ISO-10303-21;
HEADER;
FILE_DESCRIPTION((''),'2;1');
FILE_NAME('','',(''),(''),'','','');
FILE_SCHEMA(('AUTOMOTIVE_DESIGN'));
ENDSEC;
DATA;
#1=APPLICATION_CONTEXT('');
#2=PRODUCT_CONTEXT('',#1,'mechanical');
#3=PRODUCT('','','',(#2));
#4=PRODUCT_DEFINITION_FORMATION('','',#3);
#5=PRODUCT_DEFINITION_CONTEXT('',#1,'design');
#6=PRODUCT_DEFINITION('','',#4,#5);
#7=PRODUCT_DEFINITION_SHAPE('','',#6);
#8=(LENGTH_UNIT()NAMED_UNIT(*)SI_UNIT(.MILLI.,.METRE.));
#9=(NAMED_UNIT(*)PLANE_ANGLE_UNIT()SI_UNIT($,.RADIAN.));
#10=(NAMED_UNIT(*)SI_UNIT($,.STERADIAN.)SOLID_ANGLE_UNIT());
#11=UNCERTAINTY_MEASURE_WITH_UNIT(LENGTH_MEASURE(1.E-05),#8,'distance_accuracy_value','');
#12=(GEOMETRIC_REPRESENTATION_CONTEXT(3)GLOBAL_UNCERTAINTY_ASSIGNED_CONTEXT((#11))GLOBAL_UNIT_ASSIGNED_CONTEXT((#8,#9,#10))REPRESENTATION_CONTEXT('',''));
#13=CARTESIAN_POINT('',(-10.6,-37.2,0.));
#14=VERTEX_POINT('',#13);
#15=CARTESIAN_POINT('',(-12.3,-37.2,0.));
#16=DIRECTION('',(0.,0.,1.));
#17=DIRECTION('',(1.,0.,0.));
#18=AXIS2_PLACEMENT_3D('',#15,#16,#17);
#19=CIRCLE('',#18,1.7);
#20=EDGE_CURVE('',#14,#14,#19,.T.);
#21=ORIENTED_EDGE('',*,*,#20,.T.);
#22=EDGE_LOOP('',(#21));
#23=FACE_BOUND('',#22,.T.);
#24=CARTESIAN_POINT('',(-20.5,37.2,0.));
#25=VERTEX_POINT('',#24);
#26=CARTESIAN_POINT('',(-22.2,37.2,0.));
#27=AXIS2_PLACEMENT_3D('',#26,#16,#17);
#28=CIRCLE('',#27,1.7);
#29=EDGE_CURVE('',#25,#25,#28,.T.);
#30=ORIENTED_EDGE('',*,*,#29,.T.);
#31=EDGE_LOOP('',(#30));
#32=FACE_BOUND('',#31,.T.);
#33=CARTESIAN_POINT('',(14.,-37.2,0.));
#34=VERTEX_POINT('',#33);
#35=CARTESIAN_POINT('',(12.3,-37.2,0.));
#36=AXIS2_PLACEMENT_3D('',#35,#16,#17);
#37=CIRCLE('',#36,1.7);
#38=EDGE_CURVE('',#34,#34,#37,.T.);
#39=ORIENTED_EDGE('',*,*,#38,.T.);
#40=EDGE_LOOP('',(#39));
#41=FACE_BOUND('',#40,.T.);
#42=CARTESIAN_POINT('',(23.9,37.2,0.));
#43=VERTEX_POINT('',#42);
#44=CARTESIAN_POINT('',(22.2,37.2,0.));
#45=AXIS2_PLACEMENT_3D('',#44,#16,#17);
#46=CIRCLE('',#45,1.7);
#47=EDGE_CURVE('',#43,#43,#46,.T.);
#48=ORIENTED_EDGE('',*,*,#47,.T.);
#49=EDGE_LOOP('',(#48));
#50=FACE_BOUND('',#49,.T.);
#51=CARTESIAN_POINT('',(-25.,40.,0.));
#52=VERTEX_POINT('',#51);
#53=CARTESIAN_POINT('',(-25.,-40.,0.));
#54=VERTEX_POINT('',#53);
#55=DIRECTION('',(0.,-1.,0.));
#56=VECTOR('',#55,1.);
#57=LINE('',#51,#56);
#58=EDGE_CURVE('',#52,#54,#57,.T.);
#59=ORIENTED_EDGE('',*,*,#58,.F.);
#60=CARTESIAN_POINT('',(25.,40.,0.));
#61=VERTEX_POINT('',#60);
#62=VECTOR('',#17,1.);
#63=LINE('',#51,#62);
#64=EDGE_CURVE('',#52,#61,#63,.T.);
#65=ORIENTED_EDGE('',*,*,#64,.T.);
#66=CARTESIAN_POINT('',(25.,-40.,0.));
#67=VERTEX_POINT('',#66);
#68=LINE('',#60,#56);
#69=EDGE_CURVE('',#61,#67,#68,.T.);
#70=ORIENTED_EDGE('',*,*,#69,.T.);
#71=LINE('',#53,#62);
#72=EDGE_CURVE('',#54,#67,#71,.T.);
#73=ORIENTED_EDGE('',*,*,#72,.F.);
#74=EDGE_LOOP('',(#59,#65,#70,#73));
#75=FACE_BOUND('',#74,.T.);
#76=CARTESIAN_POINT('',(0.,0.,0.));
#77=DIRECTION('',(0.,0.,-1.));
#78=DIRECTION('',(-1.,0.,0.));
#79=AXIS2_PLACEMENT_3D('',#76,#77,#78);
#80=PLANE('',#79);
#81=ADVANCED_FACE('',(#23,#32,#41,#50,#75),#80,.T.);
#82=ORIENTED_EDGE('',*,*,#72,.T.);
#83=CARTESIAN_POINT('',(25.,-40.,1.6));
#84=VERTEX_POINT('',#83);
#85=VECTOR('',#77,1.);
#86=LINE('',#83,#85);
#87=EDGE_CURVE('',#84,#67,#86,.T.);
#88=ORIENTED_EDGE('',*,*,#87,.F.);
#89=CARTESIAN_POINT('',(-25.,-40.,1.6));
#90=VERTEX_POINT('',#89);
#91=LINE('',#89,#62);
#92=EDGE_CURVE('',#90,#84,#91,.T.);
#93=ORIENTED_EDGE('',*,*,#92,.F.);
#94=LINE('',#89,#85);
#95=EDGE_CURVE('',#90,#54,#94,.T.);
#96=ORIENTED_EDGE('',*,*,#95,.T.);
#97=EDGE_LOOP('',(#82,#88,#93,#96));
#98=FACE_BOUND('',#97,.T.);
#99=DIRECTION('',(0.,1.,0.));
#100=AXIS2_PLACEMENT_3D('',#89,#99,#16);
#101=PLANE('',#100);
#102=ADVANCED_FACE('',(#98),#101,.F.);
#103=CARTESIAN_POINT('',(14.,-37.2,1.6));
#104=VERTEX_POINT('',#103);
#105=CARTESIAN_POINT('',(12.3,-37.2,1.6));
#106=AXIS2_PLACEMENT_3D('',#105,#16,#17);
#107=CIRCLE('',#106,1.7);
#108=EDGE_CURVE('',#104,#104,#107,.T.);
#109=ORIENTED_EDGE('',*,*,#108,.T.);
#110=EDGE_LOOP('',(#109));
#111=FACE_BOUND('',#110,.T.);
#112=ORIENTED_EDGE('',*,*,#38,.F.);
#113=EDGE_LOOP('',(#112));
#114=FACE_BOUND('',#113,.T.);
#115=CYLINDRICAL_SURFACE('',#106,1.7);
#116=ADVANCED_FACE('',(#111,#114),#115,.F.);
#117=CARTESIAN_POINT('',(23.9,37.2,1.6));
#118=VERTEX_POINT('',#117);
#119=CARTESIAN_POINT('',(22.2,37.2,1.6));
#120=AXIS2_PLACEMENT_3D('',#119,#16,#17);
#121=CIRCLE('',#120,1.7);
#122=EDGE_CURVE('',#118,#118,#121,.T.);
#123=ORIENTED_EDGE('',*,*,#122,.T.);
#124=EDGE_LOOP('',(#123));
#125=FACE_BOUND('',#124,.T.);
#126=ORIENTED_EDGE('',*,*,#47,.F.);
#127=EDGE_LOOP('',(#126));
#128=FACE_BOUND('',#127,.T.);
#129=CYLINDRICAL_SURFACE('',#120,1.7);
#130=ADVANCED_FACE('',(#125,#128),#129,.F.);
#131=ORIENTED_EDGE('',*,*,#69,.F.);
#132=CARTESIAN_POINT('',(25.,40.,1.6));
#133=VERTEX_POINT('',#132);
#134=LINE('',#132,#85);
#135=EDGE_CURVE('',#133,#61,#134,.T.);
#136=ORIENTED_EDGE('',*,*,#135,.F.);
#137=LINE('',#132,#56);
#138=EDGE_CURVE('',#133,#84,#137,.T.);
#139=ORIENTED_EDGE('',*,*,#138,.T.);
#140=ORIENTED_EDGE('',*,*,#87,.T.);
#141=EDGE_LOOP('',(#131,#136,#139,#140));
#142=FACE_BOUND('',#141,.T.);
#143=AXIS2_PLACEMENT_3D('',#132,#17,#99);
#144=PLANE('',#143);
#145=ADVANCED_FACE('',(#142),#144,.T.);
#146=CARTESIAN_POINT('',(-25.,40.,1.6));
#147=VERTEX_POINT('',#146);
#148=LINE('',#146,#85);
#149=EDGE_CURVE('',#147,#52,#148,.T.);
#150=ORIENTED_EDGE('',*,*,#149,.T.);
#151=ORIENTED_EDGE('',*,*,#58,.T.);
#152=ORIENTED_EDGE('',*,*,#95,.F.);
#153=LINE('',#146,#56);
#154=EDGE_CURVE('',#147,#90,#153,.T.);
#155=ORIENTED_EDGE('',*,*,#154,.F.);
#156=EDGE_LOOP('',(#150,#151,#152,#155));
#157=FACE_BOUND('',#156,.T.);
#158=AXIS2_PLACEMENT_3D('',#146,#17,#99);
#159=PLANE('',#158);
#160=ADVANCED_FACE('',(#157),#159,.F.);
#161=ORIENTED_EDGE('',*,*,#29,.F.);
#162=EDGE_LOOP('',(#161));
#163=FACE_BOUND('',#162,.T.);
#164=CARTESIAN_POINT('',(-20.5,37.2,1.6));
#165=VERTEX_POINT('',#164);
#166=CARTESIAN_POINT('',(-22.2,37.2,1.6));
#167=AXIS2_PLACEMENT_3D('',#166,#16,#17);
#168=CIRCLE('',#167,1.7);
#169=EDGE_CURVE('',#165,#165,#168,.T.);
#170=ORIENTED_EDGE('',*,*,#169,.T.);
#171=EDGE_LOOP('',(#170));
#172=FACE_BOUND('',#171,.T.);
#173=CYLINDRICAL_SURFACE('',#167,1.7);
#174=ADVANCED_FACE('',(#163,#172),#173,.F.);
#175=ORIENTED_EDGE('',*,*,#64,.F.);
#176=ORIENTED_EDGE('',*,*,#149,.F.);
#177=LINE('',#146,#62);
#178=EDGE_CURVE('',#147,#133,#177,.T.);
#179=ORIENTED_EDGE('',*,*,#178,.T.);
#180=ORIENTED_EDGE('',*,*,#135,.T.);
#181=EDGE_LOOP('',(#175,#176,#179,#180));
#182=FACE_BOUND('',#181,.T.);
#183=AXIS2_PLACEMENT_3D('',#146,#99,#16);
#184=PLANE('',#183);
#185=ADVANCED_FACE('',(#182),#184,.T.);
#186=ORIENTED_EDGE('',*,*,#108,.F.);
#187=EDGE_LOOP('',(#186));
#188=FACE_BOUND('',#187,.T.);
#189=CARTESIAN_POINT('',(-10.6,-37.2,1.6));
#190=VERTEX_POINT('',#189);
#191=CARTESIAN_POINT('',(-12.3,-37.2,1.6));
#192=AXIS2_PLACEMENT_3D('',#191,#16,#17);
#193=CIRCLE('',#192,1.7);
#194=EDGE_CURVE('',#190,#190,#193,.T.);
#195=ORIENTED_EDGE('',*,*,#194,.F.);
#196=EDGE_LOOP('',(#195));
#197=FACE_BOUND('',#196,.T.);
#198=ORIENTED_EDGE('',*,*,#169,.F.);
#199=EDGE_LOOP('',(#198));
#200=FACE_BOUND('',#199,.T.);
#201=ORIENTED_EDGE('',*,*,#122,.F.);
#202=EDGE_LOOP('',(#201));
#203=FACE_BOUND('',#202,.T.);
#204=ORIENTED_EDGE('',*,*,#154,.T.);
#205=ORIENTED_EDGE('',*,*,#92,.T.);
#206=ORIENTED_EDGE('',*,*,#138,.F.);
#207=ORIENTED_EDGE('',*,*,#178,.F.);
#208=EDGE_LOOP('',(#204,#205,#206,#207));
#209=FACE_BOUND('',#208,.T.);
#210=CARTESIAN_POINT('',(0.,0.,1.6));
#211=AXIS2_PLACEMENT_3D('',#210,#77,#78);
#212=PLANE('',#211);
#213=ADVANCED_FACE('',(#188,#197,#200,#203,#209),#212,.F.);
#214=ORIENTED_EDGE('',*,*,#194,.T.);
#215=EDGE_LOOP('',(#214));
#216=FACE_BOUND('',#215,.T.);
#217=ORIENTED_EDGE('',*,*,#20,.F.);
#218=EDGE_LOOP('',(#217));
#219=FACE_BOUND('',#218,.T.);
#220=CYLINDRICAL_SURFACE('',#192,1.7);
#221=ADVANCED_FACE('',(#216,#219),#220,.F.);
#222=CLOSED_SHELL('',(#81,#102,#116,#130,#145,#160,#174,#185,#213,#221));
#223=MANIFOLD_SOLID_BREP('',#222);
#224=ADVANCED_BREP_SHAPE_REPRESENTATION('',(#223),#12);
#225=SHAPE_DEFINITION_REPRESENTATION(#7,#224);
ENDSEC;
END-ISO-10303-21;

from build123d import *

# Parameters (mm, degrees)
ESQUISSE1_W        = 50
ESQUISSE1_H        = 80
BOSS_EXTRU_1_DEPTH = 1.6
D_GAGEMENT_M31_D   = 3.4


with BuildPart() as part:
    # Esquisse1 → Boss.-Extru.1 (new body)
    with BuildSketch(Plane.XY):
        Rectangle(ESQUISSE1_W, ESQUISSE1_H)
    extrude(amount=BOSS_EXTRU_1_DEPTH)

    # Dégagement M31 (through all)
    with Locations(Plane.XY.offset(1.6)):
        with Locations((-22.2, 37.2), (22.2, 37.2), (12.3, -37.2), (-12.3, -37.2)):
            Hole(D_GAGEMENT_M31_D / 2)


solid = part.part
